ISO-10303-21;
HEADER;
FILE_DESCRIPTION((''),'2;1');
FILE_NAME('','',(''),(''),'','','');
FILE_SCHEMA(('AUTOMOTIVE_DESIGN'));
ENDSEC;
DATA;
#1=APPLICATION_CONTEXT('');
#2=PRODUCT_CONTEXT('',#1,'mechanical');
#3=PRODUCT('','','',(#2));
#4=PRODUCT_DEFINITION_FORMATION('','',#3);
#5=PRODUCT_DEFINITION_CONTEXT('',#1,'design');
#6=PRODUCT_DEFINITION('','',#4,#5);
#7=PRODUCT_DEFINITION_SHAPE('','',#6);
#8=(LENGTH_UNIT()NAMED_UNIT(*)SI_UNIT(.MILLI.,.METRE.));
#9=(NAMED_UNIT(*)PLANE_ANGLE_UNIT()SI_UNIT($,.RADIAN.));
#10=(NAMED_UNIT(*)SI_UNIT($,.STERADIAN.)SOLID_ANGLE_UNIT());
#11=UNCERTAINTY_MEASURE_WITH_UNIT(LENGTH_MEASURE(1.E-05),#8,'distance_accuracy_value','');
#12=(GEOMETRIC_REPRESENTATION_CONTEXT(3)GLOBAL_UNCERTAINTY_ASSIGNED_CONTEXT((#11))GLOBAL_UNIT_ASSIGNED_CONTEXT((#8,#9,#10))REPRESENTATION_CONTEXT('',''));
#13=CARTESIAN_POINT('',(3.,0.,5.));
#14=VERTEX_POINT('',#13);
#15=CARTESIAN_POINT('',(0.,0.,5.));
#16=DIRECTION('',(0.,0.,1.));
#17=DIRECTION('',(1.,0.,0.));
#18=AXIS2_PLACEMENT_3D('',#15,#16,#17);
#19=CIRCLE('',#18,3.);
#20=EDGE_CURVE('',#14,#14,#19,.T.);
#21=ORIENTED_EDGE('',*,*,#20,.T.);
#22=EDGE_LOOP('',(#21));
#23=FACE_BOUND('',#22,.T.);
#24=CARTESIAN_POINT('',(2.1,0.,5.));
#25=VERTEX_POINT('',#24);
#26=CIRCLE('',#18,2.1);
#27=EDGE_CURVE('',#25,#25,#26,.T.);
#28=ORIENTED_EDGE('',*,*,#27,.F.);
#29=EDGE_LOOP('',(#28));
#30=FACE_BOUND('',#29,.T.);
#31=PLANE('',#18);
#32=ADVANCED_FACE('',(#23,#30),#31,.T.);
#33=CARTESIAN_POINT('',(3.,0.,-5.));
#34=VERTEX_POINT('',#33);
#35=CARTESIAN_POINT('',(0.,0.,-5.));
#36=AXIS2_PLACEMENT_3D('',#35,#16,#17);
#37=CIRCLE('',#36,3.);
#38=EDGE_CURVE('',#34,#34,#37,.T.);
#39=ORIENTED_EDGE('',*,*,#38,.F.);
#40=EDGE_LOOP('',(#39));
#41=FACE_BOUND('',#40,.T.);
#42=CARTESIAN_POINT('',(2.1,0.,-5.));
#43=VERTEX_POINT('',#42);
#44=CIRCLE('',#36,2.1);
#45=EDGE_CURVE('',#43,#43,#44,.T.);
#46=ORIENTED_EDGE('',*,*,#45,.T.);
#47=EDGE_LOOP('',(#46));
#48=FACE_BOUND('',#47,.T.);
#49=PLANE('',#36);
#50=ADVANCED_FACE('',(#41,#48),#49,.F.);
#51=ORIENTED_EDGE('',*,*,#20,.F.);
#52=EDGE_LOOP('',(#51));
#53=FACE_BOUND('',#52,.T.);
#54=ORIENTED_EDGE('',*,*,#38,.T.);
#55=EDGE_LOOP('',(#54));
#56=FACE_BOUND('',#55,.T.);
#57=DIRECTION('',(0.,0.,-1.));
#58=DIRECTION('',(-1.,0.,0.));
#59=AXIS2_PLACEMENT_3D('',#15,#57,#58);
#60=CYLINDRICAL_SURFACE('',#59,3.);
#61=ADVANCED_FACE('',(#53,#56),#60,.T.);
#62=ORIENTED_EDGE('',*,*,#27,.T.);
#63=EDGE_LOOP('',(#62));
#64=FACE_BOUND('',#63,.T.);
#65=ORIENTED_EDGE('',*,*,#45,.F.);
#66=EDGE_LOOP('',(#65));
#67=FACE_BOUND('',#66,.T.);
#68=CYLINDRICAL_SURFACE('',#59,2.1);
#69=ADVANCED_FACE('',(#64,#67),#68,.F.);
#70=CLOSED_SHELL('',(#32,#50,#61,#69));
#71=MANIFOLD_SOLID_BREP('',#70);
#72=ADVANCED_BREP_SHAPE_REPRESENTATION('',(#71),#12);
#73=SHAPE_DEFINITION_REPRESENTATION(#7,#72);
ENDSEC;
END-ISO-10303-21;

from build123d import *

# Parameters (mm, degrees)
SKETCH1_R      = 3
SKETCH1_R_2    = 2.1
EXTRUDE1_DEPTH = 5


with BuildPart() as part:
    # Sketch1 → Extrude1 (new body, symmetric)
    with BuildSketch(Plane.XY):
        Circle(SKETCH1_R)
        Circle(SKETCH1_R_2, mode=Mode.SUBTRACT)
    extrude(amount=EXTRUDE1_DEPTH, both=True)


solid = part.part
